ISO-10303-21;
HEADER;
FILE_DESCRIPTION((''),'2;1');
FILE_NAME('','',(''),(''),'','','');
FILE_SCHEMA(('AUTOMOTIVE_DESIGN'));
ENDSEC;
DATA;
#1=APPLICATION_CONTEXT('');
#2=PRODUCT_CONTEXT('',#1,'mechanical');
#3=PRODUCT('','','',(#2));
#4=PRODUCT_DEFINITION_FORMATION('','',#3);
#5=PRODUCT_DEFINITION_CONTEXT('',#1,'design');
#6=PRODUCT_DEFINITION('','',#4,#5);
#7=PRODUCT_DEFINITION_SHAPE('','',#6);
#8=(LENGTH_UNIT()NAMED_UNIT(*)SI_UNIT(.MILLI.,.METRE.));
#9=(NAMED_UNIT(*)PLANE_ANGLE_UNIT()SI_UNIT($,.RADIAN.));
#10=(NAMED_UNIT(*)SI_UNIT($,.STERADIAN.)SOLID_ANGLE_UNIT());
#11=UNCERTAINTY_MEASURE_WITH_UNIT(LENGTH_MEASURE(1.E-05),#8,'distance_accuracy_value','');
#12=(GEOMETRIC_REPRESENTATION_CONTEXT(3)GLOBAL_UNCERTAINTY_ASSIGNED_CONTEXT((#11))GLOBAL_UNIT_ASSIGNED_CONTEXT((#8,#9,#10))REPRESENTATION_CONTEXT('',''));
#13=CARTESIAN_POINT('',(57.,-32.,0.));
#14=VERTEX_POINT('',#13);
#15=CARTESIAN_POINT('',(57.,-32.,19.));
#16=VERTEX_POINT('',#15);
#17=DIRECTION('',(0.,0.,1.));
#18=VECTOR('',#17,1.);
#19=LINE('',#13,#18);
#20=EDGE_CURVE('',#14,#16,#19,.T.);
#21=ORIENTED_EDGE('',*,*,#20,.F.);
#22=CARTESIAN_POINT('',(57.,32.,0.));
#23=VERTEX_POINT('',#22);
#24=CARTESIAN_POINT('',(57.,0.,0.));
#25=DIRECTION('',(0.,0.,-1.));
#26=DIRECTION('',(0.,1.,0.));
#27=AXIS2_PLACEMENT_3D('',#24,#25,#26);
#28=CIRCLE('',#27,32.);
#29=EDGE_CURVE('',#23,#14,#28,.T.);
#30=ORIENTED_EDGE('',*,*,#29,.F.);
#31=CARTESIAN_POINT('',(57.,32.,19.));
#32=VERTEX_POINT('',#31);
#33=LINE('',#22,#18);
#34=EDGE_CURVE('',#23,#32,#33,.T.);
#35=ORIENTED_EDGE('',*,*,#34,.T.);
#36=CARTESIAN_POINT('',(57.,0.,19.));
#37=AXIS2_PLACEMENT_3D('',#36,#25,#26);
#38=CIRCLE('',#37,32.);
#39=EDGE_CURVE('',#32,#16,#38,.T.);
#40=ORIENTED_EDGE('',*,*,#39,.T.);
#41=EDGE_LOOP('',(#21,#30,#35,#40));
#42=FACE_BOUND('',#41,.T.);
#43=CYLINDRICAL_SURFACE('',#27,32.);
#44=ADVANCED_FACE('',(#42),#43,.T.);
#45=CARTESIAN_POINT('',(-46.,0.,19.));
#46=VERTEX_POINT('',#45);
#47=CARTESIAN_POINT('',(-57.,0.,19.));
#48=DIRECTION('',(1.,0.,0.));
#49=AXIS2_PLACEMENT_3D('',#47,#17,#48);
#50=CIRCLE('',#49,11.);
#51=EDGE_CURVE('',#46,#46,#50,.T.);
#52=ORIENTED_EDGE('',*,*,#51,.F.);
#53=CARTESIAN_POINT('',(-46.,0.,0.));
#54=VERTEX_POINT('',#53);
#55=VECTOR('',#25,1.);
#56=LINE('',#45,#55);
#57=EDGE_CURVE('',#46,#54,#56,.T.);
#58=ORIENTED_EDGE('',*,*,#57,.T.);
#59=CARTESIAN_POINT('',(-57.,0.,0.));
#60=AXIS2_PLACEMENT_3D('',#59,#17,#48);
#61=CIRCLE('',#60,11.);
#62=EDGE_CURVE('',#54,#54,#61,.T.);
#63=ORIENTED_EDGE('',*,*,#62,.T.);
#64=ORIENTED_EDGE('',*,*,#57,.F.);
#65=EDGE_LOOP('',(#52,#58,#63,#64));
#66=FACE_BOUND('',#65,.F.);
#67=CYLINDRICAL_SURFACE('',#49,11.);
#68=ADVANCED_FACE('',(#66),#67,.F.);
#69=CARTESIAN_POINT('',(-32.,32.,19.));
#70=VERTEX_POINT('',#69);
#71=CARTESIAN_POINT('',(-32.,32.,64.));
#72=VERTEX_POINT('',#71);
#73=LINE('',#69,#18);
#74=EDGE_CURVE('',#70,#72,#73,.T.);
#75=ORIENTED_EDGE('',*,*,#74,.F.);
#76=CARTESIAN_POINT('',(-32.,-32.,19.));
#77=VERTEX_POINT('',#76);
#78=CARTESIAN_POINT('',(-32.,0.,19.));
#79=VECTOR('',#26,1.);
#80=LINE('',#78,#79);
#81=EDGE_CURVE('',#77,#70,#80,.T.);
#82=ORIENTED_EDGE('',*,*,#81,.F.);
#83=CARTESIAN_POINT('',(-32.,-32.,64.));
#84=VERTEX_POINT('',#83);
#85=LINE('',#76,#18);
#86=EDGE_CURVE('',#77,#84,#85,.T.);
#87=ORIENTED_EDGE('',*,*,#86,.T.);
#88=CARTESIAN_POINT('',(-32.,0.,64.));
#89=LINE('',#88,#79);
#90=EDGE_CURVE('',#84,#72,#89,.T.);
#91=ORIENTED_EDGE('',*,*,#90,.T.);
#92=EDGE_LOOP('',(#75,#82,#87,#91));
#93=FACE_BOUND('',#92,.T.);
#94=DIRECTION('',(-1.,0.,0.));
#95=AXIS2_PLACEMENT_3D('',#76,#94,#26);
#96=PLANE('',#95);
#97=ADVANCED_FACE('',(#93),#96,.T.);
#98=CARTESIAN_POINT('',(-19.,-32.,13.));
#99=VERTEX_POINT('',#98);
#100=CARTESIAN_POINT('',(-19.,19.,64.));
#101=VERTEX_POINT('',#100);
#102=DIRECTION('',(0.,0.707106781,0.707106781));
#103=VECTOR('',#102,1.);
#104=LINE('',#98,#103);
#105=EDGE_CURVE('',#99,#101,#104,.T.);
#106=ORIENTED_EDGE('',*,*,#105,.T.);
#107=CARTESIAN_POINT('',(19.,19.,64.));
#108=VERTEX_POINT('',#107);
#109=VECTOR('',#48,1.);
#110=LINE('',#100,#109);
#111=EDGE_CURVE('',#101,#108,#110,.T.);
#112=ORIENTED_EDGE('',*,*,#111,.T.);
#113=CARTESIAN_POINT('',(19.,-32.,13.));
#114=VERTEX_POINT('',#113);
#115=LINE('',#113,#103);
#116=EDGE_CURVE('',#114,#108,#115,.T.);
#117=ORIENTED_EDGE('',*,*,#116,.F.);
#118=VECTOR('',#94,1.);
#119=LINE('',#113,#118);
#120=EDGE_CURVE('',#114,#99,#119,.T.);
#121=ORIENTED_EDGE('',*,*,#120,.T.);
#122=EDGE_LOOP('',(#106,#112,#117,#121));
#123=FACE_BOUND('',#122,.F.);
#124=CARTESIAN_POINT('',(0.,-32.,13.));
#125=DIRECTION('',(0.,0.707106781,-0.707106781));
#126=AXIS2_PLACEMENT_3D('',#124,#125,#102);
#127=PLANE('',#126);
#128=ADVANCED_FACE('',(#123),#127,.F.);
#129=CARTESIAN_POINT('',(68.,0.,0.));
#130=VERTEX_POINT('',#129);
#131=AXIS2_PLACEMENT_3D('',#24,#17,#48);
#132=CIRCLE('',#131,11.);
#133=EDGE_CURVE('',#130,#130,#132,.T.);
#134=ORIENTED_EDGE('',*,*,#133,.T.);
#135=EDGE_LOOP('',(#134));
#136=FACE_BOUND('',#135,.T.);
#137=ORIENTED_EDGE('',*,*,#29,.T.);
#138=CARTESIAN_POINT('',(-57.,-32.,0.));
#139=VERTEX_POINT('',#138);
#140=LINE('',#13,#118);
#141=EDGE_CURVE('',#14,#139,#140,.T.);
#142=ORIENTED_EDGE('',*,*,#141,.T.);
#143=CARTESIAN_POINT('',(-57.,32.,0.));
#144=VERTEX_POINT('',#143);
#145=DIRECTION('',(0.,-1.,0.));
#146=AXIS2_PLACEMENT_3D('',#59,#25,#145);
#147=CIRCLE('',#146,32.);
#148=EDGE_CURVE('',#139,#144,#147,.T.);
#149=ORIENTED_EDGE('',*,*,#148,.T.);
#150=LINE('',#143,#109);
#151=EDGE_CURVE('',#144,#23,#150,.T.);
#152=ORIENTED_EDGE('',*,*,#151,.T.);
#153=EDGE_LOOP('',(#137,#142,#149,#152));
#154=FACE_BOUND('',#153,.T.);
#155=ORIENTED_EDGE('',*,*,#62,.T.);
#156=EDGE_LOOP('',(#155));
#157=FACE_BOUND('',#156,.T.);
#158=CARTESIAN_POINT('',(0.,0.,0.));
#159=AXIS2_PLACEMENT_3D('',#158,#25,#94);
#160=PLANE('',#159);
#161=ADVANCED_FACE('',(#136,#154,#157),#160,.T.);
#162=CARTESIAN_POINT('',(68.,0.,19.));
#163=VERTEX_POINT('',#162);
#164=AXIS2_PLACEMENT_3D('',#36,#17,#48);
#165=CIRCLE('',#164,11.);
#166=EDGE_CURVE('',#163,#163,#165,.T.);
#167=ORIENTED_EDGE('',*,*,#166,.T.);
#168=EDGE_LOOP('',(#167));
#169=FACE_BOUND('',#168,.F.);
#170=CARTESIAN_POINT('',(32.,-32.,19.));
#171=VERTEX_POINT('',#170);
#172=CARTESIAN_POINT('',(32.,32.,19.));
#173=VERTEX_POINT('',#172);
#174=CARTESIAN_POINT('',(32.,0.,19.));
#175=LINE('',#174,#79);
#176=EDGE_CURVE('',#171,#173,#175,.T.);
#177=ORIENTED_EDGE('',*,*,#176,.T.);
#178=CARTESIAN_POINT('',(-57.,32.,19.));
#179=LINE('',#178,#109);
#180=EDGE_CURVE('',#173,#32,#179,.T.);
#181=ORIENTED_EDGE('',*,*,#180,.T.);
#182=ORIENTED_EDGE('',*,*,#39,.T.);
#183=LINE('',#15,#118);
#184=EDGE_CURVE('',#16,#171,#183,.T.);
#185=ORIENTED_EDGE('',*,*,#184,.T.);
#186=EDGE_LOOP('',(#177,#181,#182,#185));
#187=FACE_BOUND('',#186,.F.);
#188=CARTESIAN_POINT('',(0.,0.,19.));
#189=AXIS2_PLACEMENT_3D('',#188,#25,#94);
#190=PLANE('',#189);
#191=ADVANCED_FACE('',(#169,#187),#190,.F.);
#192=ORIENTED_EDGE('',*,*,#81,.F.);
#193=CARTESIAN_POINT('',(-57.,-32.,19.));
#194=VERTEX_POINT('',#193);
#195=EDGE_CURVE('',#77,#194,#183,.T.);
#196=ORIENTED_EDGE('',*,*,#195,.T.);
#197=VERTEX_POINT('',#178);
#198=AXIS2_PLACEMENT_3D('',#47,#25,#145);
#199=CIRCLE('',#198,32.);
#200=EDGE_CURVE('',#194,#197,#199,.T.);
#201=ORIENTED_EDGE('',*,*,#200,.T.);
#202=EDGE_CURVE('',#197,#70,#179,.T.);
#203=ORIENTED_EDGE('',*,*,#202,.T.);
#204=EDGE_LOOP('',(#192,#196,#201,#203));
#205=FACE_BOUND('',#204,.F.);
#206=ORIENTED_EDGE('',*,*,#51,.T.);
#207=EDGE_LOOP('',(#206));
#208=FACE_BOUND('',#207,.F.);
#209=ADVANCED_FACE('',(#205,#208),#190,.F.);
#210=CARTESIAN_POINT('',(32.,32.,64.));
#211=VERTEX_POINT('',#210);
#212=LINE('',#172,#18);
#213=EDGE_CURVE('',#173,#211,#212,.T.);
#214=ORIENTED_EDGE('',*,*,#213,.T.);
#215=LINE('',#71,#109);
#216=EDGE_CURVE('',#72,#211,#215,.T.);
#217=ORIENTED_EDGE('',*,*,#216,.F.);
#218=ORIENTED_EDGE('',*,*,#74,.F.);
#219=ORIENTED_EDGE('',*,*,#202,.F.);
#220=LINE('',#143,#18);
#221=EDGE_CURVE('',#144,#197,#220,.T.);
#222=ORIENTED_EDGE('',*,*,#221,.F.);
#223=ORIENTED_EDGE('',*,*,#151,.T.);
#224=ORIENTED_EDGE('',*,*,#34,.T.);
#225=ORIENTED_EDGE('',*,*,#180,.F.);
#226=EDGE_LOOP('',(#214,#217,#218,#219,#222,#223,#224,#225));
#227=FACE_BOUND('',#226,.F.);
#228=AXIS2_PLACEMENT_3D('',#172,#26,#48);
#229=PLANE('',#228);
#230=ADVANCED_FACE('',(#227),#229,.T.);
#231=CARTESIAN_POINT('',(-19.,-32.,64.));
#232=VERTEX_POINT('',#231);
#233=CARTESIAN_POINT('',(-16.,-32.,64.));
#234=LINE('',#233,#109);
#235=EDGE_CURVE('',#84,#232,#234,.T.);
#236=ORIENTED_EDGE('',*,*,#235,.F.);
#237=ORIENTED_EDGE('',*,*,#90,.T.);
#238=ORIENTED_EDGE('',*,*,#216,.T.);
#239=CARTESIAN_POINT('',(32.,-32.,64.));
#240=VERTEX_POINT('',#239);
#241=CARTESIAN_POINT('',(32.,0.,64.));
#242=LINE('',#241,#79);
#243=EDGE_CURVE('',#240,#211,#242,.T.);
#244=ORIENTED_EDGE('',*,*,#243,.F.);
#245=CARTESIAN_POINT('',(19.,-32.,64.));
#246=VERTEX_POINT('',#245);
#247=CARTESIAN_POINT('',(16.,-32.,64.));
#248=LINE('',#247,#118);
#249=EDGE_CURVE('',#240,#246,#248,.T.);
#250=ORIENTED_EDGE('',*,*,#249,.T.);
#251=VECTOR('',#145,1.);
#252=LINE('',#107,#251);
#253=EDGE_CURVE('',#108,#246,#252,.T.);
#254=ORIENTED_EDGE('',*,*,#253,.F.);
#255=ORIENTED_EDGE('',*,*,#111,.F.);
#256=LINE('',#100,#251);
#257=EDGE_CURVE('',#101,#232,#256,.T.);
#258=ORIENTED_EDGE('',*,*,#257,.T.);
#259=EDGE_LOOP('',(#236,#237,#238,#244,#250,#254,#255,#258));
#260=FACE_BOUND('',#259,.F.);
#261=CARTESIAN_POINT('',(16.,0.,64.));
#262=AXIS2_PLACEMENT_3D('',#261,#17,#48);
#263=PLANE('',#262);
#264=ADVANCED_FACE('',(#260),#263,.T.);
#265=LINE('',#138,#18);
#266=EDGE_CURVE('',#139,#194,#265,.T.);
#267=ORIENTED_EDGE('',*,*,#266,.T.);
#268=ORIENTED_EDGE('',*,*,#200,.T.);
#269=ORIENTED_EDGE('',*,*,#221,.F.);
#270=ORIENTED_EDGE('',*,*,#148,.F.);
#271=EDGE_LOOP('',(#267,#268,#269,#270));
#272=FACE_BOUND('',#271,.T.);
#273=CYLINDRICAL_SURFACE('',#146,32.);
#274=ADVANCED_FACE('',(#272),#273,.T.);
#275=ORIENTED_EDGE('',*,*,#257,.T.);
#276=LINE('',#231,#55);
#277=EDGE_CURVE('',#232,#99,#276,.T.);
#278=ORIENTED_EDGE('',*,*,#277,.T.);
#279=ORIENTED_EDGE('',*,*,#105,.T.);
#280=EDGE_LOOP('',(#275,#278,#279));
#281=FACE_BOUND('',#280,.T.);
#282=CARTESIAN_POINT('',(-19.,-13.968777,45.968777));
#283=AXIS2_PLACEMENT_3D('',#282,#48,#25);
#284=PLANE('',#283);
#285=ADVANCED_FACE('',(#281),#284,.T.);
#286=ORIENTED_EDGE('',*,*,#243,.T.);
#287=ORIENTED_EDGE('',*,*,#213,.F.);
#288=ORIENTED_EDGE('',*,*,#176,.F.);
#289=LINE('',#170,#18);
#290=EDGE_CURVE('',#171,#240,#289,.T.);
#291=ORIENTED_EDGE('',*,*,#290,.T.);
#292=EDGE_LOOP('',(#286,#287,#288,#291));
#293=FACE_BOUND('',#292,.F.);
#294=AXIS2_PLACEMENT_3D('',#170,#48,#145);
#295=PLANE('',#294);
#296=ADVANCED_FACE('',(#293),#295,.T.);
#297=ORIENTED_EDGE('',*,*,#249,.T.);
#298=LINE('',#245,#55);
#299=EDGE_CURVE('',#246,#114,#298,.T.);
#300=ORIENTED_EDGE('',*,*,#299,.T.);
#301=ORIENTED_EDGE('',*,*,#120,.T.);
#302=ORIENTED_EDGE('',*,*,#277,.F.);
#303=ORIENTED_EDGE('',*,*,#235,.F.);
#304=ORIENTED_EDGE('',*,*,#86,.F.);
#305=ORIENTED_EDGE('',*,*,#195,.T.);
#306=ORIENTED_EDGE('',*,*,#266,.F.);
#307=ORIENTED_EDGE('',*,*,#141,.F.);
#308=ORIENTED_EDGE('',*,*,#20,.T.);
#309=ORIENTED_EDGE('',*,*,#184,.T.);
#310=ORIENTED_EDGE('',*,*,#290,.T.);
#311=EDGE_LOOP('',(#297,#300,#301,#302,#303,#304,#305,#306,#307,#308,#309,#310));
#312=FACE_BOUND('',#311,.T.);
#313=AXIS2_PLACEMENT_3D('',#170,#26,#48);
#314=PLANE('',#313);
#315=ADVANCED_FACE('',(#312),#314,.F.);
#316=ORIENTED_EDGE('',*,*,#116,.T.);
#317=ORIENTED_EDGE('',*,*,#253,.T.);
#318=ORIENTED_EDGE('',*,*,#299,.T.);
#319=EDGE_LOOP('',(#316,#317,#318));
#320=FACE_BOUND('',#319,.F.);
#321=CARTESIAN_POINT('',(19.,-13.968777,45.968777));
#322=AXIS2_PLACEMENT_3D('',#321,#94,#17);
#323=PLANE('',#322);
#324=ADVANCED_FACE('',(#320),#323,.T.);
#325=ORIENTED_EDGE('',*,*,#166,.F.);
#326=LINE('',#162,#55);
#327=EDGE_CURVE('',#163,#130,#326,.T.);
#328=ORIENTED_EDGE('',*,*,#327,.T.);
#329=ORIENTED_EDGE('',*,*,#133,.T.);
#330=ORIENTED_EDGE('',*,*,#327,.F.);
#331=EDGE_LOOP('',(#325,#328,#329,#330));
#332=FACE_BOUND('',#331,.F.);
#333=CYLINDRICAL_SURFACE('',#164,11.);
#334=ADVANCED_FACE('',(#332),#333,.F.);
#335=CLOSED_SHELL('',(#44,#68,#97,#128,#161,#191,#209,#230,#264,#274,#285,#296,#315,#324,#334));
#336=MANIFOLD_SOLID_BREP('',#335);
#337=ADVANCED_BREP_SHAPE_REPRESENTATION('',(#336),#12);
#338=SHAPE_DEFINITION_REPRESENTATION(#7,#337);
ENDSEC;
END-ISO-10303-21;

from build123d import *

# Parameters (mm, degrees)
BOSS_EXTRUDE1_DEPTH = 19
SKETCH2_R           = 11
CUT_EXTRUDE1_DEPTH  = 20
SKETCH5_W           = 32
SKETCH5_H           = 64
BOSS_EXTRUDE4_DEPTH = 45
CUT_EXTRUDE3_DEPTH  = 19


with BuildPart() as part:
    # Sketch1 → Boss-Extrude1 (new body)
    with BuildSketch(Plane.XY):
        with BuildLine():
            Line((-57, 32), (57, 32))
            ThreePointArc((57, 32), (89, 0), (57, -32))
            Line((57, -32), (-57, -32))
            ThreePointArc((-57, -32), (-89, 0), (-57, 32))
        make_face()
    extrude(amount=BOSS_EXTRUDE1_DEPTH)

    # Sketch2 → Cut-Extrude1 (cut, through all)
    with BuildSketch(Plane.XY.offset(19)):
        with Locations((-57, 0)):
            Circle(SKETCH2_R)
        with Locations((57, 0)):
            Circle(SKETCH2_R)
    extrude(amount=-CUT_EXTRUDE1_DEPTH, mode=Mode.SUBTRACT)

    # Sketch5 → Boss-Extrude4 (add)
    with BuildSketch(Plane.XY.offset(19)):
        with Locations((-16, 0)):
            Rectangle(SKETCH5_W, SKETCH5_H)
    boss_extrude4 = extrude(amount=BOSS_EXTRUDE4_DEPTH)

    # Sketch8 → Cut-Extrude3 (cut)
    with BuildSketch(Plane(origin=(0, 0, 0), x_dir=(0, 0, -1), z_dir=(1, 0, 0))):
        Polygon((-13, -32), (-64, 19), (-64, -32), align=None)
    cut_extrude3 = extrude(amount=-CUT_EXTRUDE3_DEPTH, mode=Mode.SUBTRACT)

    # Mirror2: Boss-Extrude4, Cut-Extrude3 across plane
    add(boss_extrude4.mirror(Plane(origin=(0, 0, 0), x_dir=(0, 0, 1), z_dir=(1, 0, 0))))
    add(cut_extrude3.mirror(Plane(origin=(0, 0, 0), x_dir=(0, 0, 1), z_dir=(1, 0, 0))), mode=Mode.SUBTRACT)


solid = part.part
